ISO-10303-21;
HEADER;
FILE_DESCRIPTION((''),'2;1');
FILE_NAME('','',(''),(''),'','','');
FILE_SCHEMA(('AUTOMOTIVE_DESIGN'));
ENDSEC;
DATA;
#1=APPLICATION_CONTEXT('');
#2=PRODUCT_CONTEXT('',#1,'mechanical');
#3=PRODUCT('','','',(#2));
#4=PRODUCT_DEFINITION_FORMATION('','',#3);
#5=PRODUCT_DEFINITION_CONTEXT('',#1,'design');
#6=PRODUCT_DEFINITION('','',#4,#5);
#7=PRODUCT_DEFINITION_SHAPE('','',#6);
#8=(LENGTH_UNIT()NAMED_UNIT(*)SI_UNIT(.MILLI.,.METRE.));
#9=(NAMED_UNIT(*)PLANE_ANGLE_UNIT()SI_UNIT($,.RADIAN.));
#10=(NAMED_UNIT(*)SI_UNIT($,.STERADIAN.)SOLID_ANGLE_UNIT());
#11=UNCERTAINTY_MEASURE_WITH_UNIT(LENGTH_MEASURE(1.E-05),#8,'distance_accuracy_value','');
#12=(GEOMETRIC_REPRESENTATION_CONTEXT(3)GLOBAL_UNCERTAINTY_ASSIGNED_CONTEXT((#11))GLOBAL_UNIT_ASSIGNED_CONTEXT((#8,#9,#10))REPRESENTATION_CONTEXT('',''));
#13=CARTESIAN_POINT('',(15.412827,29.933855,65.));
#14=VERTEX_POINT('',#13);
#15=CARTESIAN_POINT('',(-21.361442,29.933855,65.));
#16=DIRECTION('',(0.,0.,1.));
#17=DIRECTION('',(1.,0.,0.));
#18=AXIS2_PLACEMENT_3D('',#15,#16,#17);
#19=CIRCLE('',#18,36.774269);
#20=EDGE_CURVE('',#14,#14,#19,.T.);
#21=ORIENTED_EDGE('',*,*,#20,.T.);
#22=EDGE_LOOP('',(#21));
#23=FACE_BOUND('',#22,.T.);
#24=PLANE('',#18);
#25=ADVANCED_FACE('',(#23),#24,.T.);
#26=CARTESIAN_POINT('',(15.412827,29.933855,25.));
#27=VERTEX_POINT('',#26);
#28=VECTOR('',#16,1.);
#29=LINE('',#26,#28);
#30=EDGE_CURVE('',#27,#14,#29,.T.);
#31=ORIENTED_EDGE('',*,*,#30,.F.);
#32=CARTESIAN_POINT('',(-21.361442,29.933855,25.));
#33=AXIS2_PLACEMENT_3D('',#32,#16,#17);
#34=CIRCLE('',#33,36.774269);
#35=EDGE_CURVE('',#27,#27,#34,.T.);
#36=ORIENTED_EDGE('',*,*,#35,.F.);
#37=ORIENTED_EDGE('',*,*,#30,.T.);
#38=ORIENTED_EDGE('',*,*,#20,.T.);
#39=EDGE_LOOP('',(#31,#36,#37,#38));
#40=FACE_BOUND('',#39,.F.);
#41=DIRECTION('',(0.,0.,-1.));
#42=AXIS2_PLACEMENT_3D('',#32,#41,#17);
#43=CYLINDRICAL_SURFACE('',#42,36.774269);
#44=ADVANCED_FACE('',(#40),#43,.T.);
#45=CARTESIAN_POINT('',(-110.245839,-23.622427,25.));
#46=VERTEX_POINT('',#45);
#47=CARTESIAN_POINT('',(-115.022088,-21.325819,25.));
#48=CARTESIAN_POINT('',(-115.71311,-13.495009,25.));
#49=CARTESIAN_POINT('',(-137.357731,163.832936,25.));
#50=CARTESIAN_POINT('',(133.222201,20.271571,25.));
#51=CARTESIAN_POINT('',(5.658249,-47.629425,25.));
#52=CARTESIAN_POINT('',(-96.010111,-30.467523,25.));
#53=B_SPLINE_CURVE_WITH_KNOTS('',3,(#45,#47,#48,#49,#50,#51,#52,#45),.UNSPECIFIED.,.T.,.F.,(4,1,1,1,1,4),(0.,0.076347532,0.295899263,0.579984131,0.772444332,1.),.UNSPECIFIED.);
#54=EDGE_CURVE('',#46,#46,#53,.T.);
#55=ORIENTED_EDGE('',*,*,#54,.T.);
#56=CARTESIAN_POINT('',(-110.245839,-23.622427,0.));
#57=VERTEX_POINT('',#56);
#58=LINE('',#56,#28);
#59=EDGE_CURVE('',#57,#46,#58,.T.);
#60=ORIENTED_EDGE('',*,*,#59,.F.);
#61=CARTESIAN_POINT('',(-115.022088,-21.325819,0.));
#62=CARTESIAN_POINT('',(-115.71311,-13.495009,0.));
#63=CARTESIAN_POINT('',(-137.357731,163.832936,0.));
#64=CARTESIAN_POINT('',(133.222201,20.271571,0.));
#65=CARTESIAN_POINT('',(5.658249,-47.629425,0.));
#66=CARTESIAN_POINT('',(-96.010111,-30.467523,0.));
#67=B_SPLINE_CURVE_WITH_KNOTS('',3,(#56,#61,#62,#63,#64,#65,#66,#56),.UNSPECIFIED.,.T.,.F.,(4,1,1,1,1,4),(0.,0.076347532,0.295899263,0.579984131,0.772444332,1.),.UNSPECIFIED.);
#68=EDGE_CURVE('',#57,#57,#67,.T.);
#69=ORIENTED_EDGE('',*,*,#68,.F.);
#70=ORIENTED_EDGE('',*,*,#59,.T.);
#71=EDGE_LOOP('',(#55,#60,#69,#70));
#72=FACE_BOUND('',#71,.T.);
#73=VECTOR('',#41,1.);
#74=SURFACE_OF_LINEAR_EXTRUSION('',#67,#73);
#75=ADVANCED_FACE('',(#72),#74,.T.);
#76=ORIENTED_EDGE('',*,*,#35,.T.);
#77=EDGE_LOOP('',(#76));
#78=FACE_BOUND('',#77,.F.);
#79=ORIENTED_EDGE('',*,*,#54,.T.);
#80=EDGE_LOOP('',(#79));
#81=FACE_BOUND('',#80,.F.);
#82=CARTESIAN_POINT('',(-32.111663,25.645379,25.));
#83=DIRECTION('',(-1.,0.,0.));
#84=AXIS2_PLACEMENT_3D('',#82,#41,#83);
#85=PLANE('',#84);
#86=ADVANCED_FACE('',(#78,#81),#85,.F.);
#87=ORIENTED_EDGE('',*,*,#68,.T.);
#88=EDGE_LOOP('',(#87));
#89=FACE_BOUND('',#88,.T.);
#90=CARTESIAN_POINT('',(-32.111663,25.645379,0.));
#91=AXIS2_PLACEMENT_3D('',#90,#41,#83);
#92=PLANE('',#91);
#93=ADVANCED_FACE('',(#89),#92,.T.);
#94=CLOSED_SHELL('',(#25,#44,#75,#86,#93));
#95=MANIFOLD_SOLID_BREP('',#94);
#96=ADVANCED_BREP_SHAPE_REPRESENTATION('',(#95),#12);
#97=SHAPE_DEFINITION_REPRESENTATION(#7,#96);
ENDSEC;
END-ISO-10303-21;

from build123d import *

# Parameters (mm, degrees)
F1_DEPTH = 25
F2_R     = 36.7742693717
F3_DEPTH = 40


with BuildPart() as f1:
    # F0 (on Top) → F1 (new body)
    with BuildSketch(Plane.XY):
        with BuildLine():
            add(Edge.make_bspline(
                [(-110.2458387613, -23.6224271357), (-115.0220882728, -21.3258189896), (-115.7131097836, -13.4950092886), (-137.3577310235, 163.8329361419), (133.2222009264, 20.2715713447), (5.6582488844, -47.6294253111), (-96.0101114923, -30.4675233003), (-110.2458387613, -23.6224271357)],
                knots=[0, 0, 0, 0, 0.0763475323, 0.2958992634, 0.579984131, 0.7724443321, 1, 1, 1, 1], degree=3))
        make_face()
    extrude(amount=F1_DEPTH)

    # F2 (on face) → F3 (join)
    with BuildSketch(Plane.XY.offset(25)):
        with Locations((-21.3614422828, 29.9338549376)):
            Circle(F2_R)
    extrude(amount=F3_DEPTH)


solid = f1.part
